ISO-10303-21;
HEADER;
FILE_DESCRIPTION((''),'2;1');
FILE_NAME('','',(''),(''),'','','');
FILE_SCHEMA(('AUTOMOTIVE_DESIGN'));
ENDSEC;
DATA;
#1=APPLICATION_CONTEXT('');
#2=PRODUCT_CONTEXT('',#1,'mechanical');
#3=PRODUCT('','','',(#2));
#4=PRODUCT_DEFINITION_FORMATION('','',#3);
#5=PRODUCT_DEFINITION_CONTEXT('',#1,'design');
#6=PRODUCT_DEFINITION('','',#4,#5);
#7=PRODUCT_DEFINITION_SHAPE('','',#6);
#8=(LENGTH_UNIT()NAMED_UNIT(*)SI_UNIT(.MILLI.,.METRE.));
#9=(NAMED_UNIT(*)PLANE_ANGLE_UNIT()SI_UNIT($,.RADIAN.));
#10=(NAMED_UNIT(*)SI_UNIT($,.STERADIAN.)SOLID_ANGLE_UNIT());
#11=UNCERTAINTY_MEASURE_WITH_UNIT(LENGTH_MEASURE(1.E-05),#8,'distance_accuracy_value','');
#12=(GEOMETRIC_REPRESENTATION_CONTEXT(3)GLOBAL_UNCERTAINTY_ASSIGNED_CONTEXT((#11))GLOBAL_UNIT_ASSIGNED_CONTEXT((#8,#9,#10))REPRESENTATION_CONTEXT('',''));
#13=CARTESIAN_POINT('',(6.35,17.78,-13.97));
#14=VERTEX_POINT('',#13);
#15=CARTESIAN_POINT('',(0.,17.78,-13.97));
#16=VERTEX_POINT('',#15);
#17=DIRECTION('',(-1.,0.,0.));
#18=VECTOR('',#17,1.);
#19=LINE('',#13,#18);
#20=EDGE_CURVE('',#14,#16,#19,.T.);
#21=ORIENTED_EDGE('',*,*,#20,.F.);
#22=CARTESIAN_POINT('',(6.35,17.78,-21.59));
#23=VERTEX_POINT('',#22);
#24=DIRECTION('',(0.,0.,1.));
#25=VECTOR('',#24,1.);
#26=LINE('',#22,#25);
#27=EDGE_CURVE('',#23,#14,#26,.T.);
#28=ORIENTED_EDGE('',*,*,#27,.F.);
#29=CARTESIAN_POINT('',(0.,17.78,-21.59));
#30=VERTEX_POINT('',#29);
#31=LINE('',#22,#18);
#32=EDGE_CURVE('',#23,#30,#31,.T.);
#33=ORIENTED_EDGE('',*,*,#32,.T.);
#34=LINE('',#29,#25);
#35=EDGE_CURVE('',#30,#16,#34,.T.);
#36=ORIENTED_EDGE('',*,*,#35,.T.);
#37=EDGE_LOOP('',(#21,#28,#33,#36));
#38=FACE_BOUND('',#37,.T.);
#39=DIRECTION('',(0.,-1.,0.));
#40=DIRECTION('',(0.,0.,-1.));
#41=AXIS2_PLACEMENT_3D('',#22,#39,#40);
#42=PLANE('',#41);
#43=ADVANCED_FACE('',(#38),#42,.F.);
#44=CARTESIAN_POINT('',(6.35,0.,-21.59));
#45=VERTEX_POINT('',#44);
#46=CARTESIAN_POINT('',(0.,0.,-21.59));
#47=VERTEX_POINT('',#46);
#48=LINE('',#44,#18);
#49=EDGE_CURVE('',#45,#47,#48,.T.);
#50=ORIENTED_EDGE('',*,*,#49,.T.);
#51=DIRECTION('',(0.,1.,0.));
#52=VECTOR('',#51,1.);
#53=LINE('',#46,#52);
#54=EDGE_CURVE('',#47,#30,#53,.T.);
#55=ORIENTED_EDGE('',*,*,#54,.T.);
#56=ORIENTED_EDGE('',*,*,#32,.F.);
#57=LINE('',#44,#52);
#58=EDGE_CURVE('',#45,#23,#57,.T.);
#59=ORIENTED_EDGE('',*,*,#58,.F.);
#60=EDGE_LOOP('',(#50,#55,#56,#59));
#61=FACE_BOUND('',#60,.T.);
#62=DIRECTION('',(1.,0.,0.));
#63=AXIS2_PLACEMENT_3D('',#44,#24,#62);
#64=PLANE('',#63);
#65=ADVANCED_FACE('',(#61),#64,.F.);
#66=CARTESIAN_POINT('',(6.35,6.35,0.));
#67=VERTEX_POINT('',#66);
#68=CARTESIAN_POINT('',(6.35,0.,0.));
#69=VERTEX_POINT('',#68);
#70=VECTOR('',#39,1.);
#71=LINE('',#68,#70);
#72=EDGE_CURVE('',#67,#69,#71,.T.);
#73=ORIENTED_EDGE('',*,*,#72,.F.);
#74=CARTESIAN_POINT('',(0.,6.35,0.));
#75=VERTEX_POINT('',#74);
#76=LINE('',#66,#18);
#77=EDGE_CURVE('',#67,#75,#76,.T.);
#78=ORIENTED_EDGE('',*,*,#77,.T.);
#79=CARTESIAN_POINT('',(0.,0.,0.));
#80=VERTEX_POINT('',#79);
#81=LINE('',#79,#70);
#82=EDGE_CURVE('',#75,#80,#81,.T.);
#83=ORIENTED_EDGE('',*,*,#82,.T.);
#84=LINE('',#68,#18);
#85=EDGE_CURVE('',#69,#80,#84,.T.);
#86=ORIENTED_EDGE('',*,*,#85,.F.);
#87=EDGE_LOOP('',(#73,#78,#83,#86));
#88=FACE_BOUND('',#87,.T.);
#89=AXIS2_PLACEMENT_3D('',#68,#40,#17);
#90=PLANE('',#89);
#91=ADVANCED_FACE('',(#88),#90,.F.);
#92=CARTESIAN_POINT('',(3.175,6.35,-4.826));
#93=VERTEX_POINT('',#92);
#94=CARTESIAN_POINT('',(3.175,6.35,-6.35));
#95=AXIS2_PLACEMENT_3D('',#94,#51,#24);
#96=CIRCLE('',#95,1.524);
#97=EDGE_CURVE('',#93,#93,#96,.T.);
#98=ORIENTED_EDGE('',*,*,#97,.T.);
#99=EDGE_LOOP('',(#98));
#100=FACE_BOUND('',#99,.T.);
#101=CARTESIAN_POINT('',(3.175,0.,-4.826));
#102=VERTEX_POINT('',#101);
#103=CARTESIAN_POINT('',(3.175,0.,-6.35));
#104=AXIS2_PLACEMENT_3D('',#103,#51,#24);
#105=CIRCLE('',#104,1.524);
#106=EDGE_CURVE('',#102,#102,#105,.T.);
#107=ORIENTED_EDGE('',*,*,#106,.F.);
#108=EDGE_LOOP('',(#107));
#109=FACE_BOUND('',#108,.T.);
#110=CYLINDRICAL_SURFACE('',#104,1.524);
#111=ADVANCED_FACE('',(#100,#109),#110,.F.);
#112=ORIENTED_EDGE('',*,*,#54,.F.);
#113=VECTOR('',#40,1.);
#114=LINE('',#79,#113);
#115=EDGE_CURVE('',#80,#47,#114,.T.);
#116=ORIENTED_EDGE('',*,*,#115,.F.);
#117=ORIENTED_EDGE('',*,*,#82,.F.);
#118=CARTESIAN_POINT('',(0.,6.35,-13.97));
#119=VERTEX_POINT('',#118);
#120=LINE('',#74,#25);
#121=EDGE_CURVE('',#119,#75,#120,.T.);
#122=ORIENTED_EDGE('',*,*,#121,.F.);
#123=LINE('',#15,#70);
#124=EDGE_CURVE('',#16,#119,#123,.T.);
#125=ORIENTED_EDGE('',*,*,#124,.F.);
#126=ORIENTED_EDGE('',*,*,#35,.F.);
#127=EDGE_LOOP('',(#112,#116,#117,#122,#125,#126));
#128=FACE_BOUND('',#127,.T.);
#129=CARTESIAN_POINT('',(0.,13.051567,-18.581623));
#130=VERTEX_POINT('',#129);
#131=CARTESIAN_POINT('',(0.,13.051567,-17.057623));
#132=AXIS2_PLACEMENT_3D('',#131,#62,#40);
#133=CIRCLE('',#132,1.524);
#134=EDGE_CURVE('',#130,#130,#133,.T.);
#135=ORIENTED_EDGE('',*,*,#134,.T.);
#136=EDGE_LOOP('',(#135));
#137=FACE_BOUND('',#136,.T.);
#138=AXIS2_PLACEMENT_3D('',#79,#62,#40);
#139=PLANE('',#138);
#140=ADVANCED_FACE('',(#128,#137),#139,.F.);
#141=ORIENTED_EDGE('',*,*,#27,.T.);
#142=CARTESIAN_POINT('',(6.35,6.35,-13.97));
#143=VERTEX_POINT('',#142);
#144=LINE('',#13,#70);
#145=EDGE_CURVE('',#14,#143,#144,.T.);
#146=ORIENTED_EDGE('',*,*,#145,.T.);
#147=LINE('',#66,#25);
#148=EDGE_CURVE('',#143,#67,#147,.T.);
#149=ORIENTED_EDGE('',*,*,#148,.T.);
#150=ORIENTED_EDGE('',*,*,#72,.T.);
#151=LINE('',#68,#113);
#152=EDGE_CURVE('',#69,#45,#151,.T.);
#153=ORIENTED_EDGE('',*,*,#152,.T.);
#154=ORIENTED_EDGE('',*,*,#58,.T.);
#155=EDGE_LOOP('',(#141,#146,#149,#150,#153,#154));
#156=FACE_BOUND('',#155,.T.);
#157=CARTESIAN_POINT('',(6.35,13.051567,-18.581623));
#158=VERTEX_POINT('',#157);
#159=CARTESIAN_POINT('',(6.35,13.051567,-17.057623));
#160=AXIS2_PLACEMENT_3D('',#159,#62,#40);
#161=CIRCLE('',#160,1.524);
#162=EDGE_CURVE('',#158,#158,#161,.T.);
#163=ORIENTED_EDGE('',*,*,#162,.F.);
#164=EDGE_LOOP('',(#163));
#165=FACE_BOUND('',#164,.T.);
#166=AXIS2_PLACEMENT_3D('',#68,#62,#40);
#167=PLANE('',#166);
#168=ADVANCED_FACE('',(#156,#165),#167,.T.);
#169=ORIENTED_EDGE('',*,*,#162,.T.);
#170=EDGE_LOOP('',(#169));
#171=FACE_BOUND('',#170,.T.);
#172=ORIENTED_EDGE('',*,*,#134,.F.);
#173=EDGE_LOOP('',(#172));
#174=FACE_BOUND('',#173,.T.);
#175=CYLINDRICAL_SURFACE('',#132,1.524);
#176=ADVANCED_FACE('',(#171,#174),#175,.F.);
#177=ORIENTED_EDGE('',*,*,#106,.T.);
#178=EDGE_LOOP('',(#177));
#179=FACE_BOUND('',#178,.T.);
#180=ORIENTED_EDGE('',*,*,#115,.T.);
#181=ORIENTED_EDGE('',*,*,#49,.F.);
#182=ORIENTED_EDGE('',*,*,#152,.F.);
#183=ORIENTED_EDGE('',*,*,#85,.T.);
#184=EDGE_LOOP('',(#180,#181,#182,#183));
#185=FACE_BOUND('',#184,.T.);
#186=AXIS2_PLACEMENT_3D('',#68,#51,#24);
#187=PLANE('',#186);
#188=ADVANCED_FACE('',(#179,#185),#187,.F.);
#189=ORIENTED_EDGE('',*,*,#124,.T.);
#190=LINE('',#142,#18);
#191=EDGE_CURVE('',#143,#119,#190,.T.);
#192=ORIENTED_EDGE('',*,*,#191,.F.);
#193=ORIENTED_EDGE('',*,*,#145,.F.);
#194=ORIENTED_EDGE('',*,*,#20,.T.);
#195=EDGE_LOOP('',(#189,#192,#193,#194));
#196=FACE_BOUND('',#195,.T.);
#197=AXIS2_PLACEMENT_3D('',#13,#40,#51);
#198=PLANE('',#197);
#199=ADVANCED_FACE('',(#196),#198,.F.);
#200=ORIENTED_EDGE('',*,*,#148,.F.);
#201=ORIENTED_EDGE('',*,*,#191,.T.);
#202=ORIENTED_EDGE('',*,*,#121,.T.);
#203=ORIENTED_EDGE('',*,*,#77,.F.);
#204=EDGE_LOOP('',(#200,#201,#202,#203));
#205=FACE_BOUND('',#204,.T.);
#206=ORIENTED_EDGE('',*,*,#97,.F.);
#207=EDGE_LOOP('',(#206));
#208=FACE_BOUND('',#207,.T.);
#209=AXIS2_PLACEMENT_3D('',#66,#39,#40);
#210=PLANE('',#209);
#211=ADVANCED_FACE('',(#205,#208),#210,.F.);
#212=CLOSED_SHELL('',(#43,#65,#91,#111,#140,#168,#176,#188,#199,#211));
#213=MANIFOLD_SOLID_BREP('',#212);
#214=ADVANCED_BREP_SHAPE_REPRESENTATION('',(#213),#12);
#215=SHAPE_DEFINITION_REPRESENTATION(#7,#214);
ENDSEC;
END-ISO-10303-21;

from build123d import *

# Parameters (mm, degrees)
BOSS_EXTRUDE1_DEPTH = 6.35
SKETCH4_R           = 1.524
CUT_EXTRUDE1_DEPTH  = 6.35
SKETCH5_R           = 1.524
CUT_EXTRUDE3_DEPTH  = 7.35


with BuildPart() as part:
    # Sketch3 → Boss-Extrude1 (new body)
    with BuildSketch(Plane(origin=(0, 0, 0), x_dir=(0, 0, -1), z_dir=(1, 0, 0))):
        Polygon((0, 0), (0, 6.35), (13.97, 6.35), (13.97, 17.78), (21.59, 17.78), (21.59, 0), align=None)
    extrude(amount=BOSS_EXTRUDE1_DEPTH)

    # Sketch4 → Cut-Extrude1 (cut)
    with BuildSketch(Plane(origin=(0, 6.35, 0), x_dir=(1, 0, 0), z_dir=(0, 1, 0))):
        with Locations((3.175, 6.35)):
            Circle(SKETCH4_R)
    extrude(amount=-CUT_EXTRUDE1_DEPTH, mode=Mode.SUBTRACT)

    # Sketch5 → Cut-Extrude3 (cut, through all)
    with BuildSketch(Plane(origin=(6.35, 0, 0), x_dir=(0, 0, -1), z_dir=(1, 0, 0))):
        with Locations((17.057623492, 13.051566734)):
            Circle(SKETCH5_R)
    extrude(amount=-CUT_EXTRUDE3_DEPTH, mode=Mode.SUBTRACT)


solid = part.part
